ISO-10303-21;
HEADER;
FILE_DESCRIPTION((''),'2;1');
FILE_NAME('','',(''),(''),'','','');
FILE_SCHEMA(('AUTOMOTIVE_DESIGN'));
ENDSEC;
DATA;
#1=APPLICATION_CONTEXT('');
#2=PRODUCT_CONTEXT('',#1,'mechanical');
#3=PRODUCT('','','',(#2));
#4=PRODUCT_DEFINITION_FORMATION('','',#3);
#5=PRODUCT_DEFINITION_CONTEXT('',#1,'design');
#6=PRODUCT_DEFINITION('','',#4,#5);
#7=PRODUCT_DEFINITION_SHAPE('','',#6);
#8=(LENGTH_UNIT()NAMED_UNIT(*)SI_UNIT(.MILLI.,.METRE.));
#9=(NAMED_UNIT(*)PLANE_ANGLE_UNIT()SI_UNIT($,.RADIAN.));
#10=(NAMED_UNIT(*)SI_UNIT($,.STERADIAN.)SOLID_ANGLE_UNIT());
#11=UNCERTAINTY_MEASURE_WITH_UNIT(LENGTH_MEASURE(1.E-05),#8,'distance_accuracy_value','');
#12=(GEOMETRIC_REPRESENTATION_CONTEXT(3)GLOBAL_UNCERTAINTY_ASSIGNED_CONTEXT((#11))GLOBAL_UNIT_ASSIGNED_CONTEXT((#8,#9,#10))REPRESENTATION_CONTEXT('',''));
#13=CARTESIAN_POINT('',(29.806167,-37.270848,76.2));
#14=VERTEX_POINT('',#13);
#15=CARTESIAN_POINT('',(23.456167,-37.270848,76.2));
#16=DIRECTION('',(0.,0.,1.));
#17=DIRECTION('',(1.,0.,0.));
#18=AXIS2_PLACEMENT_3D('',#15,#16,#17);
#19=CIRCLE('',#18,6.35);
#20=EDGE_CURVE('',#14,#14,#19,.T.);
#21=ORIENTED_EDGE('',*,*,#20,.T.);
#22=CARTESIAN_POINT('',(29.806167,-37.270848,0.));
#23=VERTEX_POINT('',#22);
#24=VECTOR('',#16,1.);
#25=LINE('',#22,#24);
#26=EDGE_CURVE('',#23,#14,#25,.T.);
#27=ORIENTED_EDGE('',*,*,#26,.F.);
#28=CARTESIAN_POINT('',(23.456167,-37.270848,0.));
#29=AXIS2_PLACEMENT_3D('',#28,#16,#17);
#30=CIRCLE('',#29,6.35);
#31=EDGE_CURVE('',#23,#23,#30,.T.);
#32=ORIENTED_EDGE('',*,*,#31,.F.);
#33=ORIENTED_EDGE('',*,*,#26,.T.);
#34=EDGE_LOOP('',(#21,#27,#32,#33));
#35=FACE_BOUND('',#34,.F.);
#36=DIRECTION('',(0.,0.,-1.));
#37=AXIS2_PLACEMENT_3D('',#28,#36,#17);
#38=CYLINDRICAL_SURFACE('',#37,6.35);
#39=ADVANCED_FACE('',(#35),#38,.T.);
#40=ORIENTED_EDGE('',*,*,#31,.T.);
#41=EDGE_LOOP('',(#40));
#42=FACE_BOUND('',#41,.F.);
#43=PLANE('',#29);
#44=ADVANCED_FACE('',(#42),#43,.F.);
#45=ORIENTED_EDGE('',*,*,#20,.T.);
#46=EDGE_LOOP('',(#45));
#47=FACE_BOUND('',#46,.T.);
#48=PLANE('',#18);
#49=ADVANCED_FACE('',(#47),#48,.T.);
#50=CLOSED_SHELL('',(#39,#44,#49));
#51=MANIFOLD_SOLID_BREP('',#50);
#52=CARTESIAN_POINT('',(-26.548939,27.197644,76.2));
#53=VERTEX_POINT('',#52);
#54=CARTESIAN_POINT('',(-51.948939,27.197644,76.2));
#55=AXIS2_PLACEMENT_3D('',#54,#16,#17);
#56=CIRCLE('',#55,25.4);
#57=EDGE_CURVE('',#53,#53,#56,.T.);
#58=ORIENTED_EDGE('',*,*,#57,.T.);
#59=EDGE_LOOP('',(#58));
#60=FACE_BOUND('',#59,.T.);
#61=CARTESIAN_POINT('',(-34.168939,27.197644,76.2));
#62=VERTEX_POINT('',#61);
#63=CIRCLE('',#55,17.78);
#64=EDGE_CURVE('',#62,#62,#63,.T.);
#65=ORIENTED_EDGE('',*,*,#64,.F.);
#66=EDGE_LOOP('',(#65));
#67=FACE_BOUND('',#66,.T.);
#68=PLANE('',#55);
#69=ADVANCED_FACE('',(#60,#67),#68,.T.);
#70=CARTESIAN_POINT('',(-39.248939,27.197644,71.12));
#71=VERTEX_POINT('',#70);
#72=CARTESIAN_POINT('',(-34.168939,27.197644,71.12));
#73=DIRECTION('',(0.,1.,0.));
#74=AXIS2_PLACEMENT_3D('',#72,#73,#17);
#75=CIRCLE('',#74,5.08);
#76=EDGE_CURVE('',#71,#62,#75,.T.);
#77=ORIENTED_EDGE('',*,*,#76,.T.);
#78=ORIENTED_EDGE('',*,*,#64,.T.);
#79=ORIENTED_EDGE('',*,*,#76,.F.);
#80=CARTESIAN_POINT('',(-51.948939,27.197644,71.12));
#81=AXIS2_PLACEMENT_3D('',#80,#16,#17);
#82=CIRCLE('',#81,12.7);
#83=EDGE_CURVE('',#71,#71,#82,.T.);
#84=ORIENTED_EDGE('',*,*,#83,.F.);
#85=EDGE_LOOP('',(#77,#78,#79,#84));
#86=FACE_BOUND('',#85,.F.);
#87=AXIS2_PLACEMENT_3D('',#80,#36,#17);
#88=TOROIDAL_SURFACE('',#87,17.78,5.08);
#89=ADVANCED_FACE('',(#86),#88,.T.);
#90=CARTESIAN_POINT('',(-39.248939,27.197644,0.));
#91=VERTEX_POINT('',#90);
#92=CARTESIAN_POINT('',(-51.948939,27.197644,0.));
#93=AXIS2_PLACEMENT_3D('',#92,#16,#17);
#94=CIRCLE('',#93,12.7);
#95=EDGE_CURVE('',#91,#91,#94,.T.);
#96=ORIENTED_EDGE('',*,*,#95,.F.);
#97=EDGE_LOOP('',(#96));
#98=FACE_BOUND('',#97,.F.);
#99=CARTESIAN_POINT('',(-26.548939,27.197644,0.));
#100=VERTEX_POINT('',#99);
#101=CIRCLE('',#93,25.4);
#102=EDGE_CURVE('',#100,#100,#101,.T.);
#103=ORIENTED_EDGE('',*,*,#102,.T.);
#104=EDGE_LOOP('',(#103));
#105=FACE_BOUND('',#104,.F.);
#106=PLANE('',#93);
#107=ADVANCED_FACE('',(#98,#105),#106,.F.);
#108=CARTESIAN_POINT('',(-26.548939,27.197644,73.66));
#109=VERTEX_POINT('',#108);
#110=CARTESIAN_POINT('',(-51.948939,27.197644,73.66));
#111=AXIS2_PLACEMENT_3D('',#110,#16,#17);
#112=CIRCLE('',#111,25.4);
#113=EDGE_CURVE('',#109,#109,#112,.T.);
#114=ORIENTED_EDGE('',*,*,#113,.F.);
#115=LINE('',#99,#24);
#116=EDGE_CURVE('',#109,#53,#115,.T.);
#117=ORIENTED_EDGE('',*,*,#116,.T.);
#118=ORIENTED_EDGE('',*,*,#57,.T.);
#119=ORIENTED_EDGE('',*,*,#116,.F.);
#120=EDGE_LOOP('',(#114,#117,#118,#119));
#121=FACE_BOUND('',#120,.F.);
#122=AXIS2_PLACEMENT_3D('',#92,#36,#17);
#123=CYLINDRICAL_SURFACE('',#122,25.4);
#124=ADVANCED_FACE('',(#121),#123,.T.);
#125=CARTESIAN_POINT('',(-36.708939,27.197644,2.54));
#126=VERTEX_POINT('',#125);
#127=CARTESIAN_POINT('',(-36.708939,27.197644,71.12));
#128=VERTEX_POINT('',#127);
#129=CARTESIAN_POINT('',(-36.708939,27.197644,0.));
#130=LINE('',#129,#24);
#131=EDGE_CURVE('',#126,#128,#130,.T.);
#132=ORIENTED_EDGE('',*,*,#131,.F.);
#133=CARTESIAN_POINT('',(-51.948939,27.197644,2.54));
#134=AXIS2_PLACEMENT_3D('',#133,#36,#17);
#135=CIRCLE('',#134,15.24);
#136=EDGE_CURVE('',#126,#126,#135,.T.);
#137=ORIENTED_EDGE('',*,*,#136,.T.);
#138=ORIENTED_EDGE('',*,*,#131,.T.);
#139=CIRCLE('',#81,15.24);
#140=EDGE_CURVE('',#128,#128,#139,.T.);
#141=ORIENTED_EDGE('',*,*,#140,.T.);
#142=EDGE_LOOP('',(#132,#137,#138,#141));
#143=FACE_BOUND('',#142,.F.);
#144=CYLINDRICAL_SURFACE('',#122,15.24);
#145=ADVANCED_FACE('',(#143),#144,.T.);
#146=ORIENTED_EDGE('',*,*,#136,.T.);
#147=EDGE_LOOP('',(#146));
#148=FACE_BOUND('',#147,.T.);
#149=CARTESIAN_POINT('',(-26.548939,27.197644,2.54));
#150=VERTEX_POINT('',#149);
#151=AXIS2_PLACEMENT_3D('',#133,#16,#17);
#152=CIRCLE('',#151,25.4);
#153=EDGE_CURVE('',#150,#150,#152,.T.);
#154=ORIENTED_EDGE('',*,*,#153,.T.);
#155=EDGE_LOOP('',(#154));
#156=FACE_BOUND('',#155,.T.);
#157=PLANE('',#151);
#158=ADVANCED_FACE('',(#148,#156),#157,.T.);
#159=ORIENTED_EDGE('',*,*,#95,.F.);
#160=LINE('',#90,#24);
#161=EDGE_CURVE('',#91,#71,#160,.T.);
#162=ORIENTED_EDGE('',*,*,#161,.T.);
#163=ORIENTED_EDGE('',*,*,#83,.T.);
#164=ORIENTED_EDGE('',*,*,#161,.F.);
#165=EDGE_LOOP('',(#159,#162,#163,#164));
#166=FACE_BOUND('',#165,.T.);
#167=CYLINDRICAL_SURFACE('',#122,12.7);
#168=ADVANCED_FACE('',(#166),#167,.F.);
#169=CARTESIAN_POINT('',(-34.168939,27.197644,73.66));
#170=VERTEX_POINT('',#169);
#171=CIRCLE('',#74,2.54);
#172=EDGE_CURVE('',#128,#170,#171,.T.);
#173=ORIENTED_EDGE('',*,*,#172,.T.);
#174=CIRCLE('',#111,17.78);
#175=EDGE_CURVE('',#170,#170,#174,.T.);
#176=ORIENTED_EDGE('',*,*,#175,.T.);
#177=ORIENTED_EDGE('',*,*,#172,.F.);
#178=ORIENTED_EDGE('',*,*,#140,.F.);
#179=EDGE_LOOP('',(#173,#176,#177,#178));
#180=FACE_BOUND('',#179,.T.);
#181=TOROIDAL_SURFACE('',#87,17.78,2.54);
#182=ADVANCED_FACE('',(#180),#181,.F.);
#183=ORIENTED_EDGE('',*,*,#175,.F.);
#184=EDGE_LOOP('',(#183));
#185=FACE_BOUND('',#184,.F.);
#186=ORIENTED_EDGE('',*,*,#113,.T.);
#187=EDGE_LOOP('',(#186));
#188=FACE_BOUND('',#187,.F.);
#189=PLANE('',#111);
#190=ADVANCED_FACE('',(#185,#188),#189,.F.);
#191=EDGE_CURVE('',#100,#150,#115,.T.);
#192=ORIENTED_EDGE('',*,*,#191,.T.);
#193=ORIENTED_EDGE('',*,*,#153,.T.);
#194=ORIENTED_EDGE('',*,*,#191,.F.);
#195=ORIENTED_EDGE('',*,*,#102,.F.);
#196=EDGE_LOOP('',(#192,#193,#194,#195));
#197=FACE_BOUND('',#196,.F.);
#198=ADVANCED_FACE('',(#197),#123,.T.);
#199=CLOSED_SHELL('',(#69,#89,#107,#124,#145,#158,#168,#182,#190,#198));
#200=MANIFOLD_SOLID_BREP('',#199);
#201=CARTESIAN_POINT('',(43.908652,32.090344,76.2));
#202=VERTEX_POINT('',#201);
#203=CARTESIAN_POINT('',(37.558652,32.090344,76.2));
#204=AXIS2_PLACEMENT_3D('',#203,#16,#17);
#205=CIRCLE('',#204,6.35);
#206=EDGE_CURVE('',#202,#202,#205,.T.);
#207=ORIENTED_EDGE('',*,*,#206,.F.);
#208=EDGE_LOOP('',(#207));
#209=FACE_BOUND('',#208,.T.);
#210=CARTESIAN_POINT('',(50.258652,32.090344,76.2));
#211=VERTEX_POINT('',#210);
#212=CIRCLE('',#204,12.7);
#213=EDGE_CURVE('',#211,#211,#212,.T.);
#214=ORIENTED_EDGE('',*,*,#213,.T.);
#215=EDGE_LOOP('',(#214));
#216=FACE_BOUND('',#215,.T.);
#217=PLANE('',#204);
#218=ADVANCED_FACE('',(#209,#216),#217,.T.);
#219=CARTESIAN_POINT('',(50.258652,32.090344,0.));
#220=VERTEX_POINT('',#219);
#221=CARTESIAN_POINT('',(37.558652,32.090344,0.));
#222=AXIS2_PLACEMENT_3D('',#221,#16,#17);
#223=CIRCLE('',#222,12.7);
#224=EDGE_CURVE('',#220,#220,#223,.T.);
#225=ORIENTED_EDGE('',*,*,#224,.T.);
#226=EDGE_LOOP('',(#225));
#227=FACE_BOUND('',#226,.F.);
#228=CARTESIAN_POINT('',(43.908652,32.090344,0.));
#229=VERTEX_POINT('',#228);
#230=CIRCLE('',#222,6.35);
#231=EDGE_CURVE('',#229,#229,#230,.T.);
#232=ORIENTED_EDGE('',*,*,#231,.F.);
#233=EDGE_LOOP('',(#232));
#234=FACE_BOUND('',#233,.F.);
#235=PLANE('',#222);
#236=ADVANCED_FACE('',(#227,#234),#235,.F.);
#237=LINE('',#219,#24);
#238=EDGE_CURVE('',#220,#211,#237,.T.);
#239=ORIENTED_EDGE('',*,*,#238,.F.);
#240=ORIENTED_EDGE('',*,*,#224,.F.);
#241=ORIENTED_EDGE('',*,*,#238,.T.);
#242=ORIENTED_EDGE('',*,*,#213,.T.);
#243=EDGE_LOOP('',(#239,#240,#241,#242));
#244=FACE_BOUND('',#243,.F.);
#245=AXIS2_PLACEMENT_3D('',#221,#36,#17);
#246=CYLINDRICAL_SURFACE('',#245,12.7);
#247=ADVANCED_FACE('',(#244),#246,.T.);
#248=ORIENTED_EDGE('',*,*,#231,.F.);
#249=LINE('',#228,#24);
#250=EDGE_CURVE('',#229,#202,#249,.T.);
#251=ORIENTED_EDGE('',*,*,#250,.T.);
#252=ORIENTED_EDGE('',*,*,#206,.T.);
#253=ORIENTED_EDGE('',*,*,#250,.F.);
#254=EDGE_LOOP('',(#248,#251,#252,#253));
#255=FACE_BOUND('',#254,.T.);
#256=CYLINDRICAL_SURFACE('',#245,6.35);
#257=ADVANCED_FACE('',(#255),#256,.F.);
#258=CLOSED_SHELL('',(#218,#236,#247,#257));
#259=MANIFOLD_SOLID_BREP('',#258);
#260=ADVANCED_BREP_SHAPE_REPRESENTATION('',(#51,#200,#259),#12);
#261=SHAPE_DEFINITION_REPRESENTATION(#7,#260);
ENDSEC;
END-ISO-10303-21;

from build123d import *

# Parameters (mm, degrees)
F0_R     = 25.4
F0_R_2   = 12.7
F1_DEPTH = 76.2
F0_R_3   = 6.35
F2_R     = 5.08
F3_T     = -2.54


with BuildPart() as f1:
    # F0 (on Top) → F1 (new body)
    with BuildSketch(Plane.XY):
        with Locations((-51.9489385188, 27.1976441145)):
            Circle(F0_R)
        with Locations((-51.9489385188, 27.1976441145)):
            Circle(F0_R_2, mode=Mode.SUBTRACT)
    extrude(amount=F1_DEPTH)

    # F2
    f2_edges = [f1.edges().sort_by_distance(p)[0] for p in [
        (-64.648939, 27.197644, 76.2),
    ]]
    fillet(f2_edges, radius=F2_R)

    # F3
    f3_openings = [f1.faces().sort_by_distance(p)[0] for p in [
        (-77.348939, 27.197644, 38.1),
    ]]
    offset(amount=F3_T, openings=f3_openings)


with BuildPart() as f1b:
    # F0 (on Top) → F1, piece 2 (new body)
    with BuildSketch(Plane.XY):
        with Locations((37.5586524606, 32.0903435349)):
            Circle(F0_R_2)
        with Locations((37.5586524606, 32.0903435349)):
            Circle(F0_R_3, mode=Mode.SUBTRACT)
    extrude(amount=F1_DEPTH)


with BuildPart() as f1c:
    # F0 (on Top) → F1, piece 3 (new body)
    with BuildSketch(Plane.XY):
        with Locations((23.4561674297, -37.270847708)):
            Circle(F0_R_3)
    extrude(amount=F1_DEPTH)


solid = Compound([f1.part, f1b.part, f1c.part])
